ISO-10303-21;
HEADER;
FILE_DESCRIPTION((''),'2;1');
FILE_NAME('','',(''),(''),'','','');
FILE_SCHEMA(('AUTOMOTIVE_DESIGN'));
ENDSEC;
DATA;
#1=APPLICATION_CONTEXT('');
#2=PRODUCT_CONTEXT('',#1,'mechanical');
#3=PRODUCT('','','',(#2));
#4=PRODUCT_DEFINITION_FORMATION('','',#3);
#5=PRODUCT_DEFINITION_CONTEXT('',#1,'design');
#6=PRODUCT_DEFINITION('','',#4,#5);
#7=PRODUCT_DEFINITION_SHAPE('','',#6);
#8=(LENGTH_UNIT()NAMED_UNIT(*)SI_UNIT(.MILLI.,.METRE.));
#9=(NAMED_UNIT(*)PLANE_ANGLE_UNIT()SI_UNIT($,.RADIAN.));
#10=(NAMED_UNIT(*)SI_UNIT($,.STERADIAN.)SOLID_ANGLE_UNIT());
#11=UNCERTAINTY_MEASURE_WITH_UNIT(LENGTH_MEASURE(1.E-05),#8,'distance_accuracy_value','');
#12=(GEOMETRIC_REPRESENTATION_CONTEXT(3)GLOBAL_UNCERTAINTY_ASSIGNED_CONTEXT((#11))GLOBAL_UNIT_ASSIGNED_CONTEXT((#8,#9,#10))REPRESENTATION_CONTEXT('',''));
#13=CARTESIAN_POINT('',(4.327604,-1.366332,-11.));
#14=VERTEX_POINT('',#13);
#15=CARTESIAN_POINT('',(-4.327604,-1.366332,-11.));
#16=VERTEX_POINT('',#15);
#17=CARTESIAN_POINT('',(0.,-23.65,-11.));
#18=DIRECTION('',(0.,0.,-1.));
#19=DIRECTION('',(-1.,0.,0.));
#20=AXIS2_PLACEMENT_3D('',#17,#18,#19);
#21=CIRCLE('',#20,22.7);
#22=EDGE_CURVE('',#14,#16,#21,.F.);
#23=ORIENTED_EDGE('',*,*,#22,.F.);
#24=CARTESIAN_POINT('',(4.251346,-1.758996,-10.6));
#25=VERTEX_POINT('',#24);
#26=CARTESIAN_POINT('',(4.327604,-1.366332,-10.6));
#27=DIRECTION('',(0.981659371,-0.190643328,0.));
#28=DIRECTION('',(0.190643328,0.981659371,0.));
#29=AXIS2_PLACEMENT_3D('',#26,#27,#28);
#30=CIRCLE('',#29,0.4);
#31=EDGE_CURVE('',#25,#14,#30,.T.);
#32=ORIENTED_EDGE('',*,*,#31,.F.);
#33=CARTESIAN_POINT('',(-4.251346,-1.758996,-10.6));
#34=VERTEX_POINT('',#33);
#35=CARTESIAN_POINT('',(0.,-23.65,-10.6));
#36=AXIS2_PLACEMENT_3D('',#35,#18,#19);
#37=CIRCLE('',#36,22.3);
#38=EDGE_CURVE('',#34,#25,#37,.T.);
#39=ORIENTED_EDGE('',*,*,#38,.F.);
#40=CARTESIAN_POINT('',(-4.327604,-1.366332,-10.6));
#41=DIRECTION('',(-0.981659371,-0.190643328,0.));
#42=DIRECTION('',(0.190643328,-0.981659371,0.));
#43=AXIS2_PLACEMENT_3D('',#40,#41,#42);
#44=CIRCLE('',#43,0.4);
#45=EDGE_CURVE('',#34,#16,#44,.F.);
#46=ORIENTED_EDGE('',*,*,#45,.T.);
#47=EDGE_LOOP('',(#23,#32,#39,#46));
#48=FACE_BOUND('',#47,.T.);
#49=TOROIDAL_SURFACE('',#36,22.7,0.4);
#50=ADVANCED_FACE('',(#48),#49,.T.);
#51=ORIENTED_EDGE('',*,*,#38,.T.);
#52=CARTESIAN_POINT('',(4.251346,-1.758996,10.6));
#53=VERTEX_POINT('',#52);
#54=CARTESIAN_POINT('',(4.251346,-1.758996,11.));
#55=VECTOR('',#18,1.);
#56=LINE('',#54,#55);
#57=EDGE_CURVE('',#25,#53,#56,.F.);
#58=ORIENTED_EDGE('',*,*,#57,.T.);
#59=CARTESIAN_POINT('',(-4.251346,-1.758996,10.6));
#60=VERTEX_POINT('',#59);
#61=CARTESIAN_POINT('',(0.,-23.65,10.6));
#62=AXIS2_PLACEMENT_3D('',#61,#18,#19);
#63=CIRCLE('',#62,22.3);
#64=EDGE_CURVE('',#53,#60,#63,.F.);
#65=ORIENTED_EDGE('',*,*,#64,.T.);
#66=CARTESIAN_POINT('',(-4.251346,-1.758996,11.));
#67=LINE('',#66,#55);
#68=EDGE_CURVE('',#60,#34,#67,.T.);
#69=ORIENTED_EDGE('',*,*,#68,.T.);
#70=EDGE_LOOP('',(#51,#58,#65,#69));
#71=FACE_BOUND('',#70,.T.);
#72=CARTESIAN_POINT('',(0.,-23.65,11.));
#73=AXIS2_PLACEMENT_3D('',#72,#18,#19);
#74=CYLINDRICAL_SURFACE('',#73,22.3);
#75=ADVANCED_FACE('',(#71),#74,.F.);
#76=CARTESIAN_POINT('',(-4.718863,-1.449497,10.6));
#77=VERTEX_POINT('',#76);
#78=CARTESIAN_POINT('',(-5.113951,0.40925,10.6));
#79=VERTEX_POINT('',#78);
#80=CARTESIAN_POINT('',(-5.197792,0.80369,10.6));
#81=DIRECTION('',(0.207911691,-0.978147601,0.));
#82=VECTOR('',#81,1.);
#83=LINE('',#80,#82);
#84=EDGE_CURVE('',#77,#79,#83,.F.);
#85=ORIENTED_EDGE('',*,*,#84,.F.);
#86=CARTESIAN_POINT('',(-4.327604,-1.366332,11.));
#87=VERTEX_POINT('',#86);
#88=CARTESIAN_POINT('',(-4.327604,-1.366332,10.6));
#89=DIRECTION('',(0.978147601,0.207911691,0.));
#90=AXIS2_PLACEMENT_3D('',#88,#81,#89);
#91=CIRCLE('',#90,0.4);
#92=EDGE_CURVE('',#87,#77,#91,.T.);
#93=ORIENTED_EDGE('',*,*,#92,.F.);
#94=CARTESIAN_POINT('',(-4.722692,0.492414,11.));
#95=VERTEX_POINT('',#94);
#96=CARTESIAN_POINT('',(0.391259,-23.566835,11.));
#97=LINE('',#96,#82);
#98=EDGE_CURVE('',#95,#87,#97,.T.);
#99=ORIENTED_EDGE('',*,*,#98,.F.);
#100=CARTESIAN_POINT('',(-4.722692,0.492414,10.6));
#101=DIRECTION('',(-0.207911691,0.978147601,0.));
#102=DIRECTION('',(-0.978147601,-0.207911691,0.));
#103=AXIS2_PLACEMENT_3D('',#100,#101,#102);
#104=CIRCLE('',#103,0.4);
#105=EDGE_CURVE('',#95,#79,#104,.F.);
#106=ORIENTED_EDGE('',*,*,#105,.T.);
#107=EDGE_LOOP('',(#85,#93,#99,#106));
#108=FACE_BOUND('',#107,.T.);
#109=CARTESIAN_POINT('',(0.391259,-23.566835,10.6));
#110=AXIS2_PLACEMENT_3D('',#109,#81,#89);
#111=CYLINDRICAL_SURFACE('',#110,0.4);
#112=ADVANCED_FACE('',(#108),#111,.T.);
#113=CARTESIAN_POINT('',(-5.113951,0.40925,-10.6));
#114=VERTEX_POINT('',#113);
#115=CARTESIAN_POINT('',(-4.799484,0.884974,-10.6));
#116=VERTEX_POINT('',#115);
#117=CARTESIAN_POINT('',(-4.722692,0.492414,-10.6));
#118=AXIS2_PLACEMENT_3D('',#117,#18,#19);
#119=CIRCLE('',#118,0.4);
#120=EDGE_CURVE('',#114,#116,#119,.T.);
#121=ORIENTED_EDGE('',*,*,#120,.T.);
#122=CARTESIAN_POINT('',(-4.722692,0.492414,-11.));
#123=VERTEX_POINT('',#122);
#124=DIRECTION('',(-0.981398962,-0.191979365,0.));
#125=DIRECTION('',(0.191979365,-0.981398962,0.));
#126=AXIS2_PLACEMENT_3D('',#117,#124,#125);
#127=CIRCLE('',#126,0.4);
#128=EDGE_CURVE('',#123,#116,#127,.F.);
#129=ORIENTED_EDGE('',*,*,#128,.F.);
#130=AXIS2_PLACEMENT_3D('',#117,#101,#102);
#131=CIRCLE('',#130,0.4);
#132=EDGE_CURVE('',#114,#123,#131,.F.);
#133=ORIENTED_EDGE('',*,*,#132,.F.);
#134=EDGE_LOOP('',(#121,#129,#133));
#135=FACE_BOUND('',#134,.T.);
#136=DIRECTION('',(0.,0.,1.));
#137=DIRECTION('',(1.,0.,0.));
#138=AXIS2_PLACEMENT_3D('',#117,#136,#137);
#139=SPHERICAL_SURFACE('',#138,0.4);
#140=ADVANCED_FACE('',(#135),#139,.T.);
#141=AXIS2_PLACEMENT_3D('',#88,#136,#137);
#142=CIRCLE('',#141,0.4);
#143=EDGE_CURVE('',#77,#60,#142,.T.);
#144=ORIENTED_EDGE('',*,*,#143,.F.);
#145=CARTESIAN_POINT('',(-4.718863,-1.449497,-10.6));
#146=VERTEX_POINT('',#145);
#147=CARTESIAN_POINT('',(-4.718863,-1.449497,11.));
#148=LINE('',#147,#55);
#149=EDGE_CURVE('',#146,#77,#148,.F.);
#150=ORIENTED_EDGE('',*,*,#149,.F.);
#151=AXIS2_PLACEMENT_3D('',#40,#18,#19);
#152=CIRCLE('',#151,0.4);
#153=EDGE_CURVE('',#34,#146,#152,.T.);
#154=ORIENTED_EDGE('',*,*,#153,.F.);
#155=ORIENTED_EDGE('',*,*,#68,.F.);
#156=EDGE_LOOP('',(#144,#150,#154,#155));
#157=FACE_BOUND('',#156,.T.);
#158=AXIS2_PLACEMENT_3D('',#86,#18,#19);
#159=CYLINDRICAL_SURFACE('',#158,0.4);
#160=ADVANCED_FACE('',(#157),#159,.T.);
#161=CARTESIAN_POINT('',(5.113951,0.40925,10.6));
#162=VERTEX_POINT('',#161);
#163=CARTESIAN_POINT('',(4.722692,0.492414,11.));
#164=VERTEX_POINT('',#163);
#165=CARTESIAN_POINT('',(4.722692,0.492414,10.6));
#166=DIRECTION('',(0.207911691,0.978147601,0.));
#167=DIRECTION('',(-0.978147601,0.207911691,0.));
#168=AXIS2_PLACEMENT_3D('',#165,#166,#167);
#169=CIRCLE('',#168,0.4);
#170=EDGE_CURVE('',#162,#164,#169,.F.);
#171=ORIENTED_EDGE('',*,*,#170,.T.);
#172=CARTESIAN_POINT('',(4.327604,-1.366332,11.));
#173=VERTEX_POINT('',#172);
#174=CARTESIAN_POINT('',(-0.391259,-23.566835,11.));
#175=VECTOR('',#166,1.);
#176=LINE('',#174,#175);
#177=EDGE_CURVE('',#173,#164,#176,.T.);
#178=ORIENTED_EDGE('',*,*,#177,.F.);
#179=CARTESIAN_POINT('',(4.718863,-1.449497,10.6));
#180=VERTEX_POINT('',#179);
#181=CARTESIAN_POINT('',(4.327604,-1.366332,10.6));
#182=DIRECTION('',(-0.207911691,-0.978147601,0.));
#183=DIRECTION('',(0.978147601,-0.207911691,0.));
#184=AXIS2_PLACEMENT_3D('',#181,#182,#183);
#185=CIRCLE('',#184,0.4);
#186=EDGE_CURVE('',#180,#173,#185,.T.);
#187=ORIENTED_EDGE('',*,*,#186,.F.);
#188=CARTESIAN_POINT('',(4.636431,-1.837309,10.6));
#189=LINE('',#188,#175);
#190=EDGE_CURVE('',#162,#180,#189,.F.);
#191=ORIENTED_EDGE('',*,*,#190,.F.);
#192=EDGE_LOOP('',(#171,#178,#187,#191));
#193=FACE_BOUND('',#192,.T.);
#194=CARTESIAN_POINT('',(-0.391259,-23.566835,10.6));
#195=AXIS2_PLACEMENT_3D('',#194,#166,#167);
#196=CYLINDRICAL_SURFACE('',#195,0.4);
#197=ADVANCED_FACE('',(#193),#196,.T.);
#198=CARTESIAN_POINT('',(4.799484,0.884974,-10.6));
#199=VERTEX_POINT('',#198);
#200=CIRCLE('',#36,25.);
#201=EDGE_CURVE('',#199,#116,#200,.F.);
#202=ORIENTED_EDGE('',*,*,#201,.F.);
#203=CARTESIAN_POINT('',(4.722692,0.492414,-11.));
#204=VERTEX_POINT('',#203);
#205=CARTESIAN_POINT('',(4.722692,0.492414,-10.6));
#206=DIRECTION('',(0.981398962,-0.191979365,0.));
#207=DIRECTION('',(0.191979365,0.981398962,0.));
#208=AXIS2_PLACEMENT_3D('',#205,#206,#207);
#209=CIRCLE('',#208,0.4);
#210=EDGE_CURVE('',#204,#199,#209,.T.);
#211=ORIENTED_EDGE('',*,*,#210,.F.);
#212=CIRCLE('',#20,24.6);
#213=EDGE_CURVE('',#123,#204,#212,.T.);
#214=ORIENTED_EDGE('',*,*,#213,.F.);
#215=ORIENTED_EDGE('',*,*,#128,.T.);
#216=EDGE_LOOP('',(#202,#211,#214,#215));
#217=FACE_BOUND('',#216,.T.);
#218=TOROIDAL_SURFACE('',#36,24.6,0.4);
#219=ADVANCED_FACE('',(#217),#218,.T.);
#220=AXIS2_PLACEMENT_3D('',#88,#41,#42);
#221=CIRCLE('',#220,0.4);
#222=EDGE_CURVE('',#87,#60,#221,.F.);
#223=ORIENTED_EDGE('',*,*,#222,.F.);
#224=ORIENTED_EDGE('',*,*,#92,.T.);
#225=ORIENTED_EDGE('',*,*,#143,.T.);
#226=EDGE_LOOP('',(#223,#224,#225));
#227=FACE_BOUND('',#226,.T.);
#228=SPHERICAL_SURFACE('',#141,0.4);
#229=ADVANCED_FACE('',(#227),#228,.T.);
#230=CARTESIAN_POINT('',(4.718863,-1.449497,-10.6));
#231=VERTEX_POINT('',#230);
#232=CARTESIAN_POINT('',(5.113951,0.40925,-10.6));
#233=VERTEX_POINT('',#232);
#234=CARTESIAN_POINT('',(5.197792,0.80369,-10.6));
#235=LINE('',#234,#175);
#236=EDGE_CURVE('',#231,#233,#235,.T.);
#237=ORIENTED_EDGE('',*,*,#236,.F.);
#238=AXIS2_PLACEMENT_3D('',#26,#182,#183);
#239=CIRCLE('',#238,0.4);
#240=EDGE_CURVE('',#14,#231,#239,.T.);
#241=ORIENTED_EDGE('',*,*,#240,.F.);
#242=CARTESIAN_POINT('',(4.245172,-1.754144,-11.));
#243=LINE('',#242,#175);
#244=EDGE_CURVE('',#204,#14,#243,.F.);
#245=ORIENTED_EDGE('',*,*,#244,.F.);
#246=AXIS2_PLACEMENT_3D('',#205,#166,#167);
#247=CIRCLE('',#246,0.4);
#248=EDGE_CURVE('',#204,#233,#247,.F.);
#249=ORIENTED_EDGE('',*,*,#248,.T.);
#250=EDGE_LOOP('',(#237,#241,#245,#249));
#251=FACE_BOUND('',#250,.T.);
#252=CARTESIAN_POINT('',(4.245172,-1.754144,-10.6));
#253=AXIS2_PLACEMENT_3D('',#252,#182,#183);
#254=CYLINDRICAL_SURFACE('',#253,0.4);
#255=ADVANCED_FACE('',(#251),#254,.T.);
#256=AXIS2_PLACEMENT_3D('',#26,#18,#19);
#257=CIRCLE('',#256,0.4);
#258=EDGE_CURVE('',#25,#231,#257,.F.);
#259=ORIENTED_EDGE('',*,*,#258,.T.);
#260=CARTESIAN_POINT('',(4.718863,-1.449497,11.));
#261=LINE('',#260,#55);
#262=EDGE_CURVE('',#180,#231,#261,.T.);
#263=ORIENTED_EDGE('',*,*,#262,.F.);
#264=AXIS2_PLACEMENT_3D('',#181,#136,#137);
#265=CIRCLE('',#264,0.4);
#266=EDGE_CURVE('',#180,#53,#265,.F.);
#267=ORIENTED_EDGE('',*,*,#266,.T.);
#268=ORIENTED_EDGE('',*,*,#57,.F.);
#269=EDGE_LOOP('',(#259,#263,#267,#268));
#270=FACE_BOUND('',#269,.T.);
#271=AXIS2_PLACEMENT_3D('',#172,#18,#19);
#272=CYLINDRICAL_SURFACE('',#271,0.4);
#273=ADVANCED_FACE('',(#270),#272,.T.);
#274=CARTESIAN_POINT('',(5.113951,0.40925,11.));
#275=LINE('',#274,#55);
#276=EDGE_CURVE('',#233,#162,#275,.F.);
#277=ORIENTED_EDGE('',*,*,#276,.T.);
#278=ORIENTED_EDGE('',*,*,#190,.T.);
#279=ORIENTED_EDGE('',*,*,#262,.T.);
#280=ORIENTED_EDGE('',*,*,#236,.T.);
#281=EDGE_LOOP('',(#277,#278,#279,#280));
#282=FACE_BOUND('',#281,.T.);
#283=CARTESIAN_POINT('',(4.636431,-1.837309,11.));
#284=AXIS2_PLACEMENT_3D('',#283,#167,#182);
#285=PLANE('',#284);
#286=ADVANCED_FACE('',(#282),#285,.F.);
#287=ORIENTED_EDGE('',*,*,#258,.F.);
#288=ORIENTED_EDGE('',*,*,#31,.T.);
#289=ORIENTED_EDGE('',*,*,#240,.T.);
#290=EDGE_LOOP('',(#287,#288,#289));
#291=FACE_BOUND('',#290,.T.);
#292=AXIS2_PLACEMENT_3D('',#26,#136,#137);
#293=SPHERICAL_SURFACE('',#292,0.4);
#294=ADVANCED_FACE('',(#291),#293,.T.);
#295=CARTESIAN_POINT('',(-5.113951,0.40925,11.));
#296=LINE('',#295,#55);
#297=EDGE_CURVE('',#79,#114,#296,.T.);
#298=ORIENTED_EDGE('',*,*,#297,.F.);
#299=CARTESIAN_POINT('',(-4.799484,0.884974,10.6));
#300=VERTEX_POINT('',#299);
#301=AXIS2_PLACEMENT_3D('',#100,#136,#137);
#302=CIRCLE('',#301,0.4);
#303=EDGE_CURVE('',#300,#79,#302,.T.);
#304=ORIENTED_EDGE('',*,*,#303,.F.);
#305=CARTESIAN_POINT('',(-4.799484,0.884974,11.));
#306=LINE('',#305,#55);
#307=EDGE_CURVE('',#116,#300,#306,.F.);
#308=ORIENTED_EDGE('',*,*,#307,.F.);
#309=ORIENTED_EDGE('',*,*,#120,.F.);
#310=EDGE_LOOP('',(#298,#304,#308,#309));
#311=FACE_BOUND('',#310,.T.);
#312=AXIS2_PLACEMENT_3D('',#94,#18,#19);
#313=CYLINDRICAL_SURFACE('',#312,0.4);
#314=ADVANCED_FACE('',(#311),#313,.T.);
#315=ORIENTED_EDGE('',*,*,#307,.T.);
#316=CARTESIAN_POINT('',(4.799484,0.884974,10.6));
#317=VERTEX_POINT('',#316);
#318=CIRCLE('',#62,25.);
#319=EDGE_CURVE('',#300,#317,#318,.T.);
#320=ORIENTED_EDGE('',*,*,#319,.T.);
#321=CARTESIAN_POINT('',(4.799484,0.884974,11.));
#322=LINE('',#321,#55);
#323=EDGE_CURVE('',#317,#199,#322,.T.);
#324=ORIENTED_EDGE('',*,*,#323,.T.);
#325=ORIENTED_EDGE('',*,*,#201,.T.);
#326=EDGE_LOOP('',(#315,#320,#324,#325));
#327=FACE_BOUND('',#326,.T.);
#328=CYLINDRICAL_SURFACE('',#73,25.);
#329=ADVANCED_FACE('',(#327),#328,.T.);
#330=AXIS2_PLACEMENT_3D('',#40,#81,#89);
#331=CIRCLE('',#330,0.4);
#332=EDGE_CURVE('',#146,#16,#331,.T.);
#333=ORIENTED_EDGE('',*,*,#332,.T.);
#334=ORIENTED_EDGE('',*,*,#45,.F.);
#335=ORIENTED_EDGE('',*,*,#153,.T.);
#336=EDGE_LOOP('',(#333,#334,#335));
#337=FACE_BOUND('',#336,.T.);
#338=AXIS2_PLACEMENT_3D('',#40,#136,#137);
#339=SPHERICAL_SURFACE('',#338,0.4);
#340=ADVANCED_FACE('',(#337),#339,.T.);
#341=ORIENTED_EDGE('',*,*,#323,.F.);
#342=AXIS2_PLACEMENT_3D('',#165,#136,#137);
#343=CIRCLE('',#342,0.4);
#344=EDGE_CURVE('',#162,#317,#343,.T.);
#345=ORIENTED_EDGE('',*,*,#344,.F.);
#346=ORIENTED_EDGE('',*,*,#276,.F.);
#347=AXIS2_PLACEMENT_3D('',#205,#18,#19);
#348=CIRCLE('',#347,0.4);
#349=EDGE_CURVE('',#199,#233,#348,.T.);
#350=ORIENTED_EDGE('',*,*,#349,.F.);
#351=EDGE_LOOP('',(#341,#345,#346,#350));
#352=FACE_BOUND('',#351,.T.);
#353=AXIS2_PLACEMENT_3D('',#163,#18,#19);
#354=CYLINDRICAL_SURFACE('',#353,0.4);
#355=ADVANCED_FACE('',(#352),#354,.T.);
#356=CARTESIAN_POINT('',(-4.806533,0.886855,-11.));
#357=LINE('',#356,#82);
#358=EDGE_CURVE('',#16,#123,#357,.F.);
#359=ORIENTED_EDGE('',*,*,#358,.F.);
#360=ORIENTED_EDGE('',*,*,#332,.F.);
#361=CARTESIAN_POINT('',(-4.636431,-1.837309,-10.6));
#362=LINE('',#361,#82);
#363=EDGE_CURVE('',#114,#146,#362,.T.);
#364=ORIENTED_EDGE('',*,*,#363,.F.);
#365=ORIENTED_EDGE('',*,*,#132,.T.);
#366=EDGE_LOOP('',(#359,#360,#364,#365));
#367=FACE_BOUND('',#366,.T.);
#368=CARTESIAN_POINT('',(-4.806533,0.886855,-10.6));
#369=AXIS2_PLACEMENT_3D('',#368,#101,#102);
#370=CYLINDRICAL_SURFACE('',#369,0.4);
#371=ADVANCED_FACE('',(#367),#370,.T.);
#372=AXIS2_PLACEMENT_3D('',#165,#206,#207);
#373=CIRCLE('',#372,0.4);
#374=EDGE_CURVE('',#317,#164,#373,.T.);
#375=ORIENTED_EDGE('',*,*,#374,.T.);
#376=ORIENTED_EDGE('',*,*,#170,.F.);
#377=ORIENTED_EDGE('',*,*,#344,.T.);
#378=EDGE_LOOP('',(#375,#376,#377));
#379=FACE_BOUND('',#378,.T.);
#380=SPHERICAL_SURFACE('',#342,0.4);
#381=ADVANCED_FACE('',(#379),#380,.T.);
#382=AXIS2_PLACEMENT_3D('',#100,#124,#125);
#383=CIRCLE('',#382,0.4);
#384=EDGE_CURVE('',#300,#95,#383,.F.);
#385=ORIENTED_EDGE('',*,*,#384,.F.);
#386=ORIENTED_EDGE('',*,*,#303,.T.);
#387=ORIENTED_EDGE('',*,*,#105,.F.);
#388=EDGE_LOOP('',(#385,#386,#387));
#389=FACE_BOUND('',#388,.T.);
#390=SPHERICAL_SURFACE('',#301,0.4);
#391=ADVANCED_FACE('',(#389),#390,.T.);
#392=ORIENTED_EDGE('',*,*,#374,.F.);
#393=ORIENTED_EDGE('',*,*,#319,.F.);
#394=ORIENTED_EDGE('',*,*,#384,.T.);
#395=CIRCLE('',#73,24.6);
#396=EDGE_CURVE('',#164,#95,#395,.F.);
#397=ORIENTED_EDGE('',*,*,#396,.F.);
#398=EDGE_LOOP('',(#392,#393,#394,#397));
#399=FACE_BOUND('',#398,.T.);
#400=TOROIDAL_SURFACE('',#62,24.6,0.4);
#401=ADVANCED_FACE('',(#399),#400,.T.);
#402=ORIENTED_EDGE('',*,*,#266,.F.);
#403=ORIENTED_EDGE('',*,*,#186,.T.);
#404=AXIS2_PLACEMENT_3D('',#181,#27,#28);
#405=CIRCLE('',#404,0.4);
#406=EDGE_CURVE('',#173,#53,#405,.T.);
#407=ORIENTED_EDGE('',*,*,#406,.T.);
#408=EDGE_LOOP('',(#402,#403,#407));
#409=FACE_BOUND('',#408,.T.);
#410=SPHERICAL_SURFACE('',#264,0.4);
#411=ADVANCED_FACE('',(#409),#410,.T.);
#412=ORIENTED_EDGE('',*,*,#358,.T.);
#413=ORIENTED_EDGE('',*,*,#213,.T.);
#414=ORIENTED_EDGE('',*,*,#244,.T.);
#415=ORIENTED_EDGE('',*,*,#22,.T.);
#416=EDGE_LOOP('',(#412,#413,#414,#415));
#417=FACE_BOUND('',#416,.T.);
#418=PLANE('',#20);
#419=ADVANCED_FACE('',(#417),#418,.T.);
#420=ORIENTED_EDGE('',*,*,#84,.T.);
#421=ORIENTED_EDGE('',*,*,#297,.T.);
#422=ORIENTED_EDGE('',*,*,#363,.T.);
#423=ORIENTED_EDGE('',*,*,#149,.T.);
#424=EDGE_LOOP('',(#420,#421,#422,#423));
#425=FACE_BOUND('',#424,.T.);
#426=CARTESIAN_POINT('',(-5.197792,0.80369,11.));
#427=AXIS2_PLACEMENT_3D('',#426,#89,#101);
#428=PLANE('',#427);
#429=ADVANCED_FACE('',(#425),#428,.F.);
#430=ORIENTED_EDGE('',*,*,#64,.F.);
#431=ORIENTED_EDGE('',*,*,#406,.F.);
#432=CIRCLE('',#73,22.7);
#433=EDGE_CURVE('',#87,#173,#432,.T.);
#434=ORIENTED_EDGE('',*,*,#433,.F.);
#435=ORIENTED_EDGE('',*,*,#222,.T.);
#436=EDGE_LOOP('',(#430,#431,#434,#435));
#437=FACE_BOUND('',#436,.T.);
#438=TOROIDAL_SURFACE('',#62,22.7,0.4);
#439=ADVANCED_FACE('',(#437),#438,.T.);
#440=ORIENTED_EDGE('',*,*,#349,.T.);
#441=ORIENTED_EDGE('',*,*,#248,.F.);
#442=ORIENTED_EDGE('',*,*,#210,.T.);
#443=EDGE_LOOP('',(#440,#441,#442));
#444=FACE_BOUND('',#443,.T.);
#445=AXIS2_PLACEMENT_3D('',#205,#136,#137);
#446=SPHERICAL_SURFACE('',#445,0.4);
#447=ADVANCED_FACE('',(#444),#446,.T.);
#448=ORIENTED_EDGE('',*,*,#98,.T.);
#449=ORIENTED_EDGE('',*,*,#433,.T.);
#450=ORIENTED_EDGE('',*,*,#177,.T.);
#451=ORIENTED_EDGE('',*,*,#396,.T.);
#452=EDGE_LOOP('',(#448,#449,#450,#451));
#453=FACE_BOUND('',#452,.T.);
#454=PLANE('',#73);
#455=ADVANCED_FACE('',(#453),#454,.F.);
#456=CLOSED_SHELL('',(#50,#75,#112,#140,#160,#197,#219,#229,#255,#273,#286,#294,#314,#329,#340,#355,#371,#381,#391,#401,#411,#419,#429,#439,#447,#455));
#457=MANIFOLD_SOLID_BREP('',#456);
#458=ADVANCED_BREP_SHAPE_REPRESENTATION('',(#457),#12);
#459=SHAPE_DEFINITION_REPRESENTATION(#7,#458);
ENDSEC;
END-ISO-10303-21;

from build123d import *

# Parameters (mm, degrees)
BOSS_EXTRUDE2_DEPTH = 11
FILLET1_R           = 0.4


with BuildPart() as part:
    # Sketch4 → Boss-Extrude2 (new, symmetric)
    with BuildSketch(Plane.XY):
        with BuildLine():
            Line((-5.19779227, 0.803690018), (-4.636430705, -1.837308504))
            ThreePointArc((-4.636430705, -1.837308504), (0, -1.35), (4.636430705, -1.837308504))
            Line((4.636430705, -1.837308504), (5.19779227, 0.803690018))
            ThreePointArc((5.19779227, 0.803690018), (0, 1.35), (-5.19779227, 0.803690018))
        make_face()
    extrude(amount=BOSS_EXTRUDE2_DEPTH, both=True)

    # Fillet1
    fillet1_edges = [part.edges().sort_by_distance(p)[0] for p in [
        (0, 1.35, 11),
        (-4.917111488, -0.516809243, 11),
        (0, -1.35, 11),
        (-4.917111488, -0.516809243, -11),
        (0, 1.35, -11),
        (4.917111488, -0.516809243, -11),
        (0, -1.35, -11),
        (-4.636430705, -1.837308504, 0),
        (-5.19779227, 0.803690018, 0),
        (5.19779227, 0.803690018, 0),
        (4.636430705, -1.837308504, 0),
        (4.917111488, -0.516809243, 11),
    ]]
    fillet(fillet1_edges, radius=FILLET1_R)


solid = part.part
